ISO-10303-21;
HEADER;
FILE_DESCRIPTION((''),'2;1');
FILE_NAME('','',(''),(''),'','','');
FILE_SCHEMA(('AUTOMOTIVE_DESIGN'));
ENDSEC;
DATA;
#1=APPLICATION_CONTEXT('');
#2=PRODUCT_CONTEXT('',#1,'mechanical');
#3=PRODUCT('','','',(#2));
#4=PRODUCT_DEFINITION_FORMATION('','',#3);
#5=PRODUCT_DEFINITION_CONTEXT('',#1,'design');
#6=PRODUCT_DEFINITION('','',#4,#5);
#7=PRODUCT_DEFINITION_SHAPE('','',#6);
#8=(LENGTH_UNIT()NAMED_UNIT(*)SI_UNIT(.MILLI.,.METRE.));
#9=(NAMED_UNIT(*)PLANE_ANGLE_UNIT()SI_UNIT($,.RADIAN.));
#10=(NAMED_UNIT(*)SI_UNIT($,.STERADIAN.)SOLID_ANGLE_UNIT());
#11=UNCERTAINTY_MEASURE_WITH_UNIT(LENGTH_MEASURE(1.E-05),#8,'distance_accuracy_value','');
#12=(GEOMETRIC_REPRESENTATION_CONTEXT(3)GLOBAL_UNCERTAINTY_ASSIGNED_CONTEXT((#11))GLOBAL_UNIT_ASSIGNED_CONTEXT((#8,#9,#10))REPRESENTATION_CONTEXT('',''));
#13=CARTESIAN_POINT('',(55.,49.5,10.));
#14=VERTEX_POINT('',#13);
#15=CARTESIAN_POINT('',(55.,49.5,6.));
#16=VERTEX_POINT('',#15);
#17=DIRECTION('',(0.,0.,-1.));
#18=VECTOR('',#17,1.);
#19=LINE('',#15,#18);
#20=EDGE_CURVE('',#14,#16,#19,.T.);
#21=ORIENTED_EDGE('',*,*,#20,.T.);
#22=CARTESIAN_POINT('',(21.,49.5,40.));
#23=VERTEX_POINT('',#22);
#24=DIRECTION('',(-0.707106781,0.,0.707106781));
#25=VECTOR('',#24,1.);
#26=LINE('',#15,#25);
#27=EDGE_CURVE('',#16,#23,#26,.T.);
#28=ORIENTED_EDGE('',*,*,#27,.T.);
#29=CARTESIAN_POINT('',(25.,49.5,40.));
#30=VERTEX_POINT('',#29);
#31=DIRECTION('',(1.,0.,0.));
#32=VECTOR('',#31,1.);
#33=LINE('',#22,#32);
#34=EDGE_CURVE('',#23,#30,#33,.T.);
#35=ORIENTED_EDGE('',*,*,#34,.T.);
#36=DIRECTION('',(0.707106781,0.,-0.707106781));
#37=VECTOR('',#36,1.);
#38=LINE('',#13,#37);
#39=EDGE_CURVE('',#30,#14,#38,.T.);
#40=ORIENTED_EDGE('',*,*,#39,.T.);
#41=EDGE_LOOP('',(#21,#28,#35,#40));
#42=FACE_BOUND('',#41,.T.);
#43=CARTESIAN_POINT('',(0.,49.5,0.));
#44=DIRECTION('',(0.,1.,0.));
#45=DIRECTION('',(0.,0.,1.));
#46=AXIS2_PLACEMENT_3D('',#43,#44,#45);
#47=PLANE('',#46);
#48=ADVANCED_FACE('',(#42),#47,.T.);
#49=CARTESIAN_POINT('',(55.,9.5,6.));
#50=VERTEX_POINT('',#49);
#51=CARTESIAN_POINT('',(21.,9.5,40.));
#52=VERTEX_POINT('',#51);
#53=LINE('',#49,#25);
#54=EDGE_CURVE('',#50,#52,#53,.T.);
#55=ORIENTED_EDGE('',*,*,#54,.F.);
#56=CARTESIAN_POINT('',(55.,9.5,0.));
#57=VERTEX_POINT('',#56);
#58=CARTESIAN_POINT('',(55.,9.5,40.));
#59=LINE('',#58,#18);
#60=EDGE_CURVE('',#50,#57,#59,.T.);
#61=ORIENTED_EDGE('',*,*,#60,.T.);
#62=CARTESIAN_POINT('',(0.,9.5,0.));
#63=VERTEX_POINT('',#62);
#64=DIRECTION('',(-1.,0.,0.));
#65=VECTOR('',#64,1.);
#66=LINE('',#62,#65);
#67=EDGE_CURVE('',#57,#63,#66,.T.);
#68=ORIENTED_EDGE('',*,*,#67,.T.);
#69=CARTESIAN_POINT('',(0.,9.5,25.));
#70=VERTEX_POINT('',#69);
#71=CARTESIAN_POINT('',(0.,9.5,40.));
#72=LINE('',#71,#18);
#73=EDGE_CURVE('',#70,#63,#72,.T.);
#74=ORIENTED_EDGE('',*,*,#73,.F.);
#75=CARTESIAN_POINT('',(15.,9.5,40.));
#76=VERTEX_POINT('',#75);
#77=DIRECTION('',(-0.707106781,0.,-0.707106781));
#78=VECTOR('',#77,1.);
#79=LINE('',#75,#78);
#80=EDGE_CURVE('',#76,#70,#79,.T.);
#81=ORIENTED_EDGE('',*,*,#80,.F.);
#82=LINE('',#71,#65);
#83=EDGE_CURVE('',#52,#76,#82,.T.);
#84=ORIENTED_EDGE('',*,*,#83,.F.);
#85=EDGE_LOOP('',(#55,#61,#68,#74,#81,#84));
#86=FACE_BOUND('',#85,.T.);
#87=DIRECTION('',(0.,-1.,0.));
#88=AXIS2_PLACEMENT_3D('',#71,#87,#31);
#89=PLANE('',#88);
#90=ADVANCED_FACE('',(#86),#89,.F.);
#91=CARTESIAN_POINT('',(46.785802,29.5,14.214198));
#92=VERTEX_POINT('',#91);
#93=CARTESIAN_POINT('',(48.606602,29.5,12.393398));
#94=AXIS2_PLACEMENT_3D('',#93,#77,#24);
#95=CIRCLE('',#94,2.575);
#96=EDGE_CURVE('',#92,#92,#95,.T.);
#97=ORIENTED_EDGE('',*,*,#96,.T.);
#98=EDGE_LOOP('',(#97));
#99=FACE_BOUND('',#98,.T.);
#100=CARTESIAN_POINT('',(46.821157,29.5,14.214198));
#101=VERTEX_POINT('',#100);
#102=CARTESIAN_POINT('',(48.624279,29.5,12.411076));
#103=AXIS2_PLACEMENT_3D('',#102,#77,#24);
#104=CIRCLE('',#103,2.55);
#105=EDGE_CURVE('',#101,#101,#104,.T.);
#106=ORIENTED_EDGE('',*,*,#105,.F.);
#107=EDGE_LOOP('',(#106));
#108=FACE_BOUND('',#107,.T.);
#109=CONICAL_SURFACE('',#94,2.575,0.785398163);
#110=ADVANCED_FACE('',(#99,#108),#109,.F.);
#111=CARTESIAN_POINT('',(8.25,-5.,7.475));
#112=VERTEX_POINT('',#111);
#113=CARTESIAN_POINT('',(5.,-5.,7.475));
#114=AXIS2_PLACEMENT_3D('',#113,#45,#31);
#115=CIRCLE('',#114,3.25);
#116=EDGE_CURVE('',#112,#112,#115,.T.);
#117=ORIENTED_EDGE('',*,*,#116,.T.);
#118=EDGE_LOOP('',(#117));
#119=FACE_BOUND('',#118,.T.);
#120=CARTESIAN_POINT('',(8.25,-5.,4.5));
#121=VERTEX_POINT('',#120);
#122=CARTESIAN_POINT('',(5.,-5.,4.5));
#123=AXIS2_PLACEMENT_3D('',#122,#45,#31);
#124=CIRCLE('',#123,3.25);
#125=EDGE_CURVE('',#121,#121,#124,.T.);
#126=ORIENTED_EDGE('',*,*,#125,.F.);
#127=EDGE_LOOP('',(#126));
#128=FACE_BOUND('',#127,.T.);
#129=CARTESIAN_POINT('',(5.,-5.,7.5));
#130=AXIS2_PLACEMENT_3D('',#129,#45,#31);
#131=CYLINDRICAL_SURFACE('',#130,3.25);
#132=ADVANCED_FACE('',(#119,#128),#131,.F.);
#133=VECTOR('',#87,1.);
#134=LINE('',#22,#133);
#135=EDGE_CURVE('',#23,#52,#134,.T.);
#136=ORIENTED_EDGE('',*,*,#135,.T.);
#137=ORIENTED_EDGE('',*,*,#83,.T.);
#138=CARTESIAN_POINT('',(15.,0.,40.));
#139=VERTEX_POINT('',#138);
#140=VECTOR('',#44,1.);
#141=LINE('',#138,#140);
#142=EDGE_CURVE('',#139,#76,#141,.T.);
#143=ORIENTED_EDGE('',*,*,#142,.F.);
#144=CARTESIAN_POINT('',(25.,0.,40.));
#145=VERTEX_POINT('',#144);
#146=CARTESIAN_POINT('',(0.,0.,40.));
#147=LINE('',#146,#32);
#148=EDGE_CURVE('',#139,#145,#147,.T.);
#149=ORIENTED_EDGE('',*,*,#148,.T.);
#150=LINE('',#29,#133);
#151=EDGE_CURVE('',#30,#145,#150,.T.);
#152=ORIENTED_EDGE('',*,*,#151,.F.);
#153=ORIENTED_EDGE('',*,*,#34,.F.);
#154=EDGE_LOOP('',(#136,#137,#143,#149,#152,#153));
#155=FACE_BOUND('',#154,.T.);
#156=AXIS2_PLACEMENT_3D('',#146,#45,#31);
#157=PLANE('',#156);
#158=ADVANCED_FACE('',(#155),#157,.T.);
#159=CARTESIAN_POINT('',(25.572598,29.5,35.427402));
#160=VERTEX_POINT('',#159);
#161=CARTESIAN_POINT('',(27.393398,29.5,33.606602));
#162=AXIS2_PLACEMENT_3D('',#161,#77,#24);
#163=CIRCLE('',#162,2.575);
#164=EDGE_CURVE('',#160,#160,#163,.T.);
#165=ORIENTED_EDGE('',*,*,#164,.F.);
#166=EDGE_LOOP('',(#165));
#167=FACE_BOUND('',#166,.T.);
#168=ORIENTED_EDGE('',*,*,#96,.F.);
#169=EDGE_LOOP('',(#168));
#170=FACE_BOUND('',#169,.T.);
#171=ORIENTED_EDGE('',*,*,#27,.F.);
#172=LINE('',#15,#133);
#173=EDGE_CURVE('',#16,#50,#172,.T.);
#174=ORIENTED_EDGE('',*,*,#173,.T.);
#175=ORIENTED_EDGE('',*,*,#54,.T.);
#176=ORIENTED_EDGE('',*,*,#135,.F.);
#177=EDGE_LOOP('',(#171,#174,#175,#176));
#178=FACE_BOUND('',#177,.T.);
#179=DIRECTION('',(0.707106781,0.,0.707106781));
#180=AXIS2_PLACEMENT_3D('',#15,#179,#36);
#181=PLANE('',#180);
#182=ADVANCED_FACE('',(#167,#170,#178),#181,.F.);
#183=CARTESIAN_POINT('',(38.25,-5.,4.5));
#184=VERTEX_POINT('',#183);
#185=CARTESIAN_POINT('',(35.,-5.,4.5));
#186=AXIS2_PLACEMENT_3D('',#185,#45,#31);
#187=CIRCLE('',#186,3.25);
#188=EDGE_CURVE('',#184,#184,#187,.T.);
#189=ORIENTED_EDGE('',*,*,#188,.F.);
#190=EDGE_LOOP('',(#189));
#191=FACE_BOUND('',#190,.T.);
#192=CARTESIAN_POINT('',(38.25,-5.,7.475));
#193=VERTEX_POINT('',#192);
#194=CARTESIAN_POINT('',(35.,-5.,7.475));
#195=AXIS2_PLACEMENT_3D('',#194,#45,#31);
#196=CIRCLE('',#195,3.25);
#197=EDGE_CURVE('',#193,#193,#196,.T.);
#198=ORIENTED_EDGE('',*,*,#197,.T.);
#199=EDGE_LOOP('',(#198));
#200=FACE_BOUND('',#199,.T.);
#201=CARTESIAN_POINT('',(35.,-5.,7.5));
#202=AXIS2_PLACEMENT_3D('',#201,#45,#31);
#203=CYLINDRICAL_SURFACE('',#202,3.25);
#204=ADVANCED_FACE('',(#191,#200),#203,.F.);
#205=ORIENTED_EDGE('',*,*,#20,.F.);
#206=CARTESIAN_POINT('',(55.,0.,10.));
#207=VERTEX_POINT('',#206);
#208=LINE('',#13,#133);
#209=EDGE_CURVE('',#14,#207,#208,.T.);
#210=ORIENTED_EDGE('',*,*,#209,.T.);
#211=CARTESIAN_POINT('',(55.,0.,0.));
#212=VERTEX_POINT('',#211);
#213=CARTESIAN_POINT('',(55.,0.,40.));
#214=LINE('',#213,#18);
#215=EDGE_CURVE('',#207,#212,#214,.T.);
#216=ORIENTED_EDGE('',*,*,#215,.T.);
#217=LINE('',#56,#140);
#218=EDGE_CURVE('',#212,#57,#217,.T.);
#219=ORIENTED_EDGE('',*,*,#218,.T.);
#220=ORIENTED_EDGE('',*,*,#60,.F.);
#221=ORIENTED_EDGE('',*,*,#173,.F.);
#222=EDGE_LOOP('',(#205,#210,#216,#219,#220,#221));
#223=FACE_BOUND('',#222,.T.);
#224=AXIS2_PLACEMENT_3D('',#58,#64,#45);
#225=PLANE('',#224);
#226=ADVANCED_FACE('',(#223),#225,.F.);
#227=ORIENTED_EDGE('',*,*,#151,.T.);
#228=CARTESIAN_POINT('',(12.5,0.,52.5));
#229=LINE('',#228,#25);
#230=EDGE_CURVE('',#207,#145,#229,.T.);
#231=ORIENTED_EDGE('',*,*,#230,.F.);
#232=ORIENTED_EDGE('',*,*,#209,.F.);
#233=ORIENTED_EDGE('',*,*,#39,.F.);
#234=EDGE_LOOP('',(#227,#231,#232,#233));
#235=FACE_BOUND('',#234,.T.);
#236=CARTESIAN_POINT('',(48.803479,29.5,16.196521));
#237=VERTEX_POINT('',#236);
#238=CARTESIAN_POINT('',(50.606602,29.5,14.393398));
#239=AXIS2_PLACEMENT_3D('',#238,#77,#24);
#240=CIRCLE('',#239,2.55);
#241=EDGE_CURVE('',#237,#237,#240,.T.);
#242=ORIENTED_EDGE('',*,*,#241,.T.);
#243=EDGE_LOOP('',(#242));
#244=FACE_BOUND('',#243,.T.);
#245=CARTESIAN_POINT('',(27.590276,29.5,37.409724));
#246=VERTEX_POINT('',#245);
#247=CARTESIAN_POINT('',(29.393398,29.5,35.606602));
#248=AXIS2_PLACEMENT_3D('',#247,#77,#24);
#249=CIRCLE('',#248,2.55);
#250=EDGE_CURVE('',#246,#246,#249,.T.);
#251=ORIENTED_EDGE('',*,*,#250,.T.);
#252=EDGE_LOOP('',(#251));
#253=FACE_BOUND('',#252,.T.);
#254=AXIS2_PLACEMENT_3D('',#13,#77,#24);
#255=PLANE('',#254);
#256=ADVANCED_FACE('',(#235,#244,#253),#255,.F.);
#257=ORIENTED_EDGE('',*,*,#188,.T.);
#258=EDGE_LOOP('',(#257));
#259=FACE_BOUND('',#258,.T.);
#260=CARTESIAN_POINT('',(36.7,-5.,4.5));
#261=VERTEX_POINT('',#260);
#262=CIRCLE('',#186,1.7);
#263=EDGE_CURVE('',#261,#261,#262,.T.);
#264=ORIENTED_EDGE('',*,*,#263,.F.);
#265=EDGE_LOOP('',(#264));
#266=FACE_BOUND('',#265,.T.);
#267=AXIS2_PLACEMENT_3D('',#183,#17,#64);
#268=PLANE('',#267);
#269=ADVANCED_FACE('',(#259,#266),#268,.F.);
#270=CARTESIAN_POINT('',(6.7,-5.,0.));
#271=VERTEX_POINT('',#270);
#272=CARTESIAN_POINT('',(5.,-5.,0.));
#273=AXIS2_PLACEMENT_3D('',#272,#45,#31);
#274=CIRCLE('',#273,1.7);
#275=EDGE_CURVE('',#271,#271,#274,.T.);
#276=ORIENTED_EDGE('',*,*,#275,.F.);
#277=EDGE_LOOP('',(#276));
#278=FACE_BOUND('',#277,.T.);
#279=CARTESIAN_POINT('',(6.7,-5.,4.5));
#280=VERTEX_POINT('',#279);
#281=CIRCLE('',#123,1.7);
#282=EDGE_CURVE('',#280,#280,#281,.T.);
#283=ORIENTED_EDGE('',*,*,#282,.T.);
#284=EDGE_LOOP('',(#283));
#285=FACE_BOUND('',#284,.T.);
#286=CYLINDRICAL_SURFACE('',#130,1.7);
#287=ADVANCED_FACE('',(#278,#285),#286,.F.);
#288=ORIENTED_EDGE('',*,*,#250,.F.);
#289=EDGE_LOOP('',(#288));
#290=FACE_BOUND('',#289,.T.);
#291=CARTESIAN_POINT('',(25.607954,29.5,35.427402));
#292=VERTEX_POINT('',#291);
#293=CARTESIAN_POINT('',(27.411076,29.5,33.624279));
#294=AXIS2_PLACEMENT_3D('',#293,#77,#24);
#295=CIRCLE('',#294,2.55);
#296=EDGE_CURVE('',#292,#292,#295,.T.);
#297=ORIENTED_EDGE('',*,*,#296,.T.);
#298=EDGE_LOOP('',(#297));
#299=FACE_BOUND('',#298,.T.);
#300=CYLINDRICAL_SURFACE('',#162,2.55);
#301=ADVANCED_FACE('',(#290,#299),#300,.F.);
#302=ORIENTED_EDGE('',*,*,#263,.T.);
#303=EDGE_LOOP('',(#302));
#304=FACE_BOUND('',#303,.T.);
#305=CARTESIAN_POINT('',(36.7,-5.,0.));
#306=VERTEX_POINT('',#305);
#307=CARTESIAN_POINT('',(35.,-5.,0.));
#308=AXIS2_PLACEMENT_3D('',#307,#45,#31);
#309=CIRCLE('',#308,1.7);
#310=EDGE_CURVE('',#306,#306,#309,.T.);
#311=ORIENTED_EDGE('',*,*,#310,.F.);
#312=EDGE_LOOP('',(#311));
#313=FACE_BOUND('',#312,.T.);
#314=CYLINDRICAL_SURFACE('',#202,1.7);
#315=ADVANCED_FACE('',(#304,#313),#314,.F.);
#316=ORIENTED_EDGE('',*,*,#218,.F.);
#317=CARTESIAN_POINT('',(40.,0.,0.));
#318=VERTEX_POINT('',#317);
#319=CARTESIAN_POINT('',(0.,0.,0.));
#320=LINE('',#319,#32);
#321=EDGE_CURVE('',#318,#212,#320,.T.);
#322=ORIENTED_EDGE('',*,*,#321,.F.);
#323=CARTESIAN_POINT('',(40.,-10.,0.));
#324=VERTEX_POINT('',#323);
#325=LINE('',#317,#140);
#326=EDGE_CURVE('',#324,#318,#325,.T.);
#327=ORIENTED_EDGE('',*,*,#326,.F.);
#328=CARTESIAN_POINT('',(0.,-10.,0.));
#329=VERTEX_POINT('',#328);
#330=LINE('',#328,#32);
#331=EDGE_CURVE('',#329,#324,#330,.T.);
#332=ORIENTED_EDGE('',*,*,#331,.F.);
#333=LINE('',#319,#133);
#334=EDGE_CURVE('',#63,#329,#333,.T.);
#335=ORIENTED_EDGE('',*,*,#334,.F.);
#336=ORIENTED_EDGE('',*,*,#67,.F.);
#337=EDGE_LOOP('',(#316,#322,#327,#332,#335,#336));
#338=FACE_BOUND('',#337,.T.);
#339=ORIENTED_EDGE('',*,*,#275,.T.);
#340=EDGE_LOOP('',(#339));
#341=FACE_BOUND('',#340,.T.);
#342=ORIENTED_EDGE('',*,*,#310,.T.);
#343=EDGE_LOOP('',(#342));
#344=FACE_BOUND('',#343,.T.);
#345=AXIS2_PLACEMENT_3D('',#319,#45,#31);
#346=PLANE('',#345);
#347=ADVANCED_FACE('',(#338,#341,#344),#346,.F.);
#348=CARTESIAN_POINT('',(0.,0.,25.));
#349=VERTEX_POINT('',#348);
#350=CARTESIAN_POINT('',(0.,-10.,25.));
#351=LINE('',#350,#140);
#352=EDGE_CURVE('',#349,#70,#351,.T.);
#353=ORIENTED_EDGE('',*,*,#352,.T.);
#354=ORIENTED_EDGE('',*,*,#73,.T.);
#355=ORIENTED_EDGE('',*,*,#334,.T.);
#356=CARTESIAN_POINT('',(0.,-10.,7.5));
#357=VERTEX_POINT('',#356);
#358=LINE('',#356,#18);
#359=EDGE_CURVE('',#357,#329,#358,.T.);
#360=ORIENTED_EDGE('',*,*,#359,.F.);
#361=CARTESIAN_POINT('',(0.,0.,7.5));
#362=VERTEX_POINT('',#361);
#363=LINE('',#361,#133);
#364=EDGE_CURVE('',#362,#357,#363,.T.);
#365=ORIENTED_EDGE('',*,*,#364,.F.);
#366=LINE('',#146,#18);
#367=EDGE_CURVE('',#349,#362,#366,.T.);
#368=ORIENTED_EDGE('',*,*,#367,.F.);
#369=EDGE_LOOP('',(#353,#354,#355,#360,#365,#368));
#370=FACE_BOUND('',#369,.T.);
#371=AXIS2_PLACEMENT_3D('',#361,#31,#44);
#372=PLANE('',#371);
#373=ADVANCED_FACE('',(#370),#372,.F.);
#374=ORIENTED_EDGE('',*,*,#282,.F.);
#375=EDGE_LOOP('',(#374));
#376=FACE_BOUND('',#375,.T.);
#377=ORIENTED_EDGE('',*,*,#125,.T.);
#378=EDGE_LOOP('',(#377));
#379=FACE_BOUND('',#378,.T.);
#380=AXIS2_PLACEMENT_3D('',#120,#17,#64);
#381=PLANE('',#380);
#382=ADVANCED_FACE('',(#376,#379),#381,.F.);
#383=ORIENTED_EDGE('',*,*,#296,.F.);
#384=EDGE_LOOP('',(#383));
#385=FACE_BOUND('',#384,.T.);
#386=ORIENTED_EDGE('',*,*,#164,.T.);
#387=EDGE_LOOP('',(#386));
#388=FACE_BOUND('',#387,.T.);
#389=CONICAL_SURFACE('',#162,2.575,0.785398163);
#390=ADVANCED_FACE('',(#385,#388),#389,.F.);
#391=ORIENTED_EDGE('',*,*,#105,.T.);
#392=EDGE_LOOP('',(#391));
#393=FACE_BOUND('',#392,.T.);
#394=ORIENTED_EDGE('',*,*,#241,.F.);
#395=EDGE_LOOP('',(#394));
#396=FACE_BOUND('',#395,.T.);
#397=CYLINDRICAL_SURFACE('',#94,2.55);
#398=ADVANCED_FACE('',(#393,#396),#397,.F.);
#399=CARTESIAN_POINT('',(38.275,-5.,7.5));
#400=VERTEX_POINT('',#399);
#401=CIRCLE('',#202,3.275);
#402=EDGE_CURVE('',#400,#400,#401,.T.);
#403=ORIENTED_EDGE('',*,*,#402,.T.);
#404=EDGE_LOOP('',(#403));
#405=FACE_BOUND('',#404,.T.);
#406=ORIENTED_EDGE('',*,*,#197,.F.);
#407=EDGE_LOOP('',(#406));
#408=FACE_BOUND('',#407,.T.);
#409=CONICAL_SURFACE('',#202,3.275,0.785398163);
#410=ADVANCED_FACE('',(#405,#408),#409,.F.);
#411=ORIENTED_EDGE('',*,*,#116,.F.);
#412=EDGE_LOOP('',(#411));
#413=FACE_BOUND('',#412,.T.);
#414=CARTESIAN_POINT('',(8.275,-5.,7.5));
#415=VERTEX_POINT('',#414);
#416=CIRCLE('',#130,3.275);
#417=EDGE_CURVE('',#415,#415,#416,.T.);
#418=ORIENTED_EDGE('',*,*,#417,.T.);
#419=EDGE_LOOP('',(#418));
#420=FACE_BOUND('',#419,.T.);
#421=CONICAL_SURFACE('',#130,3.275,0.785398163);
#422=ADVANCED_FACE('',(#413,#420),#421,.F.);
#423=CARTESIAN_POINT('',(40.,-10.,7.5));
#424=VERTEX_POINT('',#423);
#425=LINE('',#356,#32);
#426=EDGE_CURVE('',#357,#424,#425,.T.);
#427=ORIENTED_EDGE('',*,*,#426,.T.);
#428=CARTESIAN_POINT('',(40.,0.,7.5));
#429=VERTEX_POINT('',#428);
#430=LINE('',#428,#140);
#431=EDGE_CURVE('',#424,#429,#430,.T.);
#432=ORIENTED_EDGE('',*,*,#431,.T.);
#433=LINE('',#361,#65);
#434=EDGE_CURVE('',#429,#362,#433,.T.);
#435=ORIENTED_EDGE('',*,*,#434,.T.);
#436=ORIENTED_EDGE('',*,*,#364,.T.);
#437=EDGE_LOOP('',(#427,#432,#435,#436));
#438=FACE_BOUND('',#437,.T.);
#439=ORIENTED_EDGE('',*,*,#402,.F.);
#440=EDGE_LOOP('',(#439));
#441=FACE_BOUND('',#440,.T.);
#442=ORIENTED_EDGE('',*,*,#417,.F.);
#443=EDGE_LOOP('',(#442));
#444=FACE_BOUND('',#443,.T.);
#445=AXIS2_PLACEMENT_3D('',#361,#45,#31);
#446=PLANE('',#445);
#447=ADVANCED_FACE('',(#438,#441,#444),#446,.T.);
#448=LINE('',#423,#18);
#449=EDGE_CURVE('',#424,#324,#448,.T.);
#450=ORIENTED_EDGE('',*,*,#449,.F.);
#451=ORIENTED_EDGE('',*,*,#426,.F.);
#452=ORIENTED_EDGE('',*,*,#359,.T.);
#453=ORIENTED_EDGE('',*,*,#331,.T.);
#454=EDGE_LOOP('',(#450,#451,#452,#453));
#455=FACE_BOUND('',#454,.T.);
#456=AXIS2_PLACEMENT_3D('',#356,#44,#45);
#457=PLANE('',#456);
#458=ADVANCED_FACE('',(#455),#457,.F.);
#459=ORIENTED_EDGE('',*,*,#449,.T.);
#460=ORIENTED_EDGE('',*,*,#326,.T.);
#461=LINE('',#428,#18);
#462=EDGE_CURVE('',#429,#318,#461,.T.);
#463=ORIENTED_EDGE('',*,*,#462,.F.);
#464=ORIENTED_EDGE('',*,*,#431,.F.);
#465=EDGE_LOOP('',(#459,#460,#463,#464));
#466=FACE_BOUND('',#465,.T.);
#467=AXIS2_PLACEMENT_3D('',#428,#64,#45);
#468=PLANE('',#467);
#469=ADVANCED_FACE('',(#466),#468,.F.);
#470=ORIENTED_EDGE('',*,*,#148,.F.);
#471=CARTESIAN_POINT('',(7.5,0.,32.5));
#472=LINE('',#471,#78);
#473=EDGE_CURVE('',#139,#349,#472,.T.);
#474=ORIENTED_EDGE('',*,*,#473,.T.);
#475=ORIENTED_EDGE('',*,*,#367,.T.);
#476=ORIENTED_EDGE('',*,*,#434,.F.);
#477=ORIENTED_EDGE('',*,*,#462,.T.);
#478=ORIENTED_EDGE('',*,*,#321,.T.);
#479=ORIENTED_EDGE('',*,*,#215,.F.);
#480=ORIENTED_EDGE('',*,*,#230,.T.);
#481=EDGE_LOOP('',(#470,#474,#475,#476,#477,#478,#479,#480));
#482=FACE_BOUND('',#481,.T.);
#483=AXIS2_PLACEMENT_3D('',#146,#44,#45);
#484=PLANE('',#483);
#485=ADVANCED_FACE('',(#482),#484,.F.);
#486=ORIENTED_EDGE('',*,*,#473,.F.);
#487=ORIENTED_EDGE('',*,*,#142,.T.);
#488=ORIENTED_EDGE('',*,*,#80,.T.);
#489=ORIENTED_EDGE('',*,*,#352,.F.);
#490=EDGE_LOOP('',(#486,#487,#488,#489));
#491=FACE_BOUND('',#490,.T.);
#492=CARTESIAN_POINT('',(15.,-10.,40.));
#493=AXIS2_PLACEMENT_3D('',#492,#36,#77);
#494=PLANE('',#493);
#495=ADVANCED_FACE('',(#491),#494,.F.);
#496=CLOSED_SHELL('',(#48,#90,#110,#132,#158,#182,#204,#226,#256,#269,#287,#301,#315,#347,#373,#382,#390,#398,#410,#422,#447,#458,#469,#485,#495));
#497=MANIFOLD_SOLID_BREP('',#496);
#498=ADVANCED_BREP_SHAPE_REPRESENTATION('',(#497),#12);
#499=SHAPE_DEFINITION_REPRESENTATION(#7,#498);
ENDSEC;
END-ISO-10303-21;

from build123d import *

# Parameters (mm, degrees)
SKETCH1_W                            = 40
SKETCH1_H                            = 10
BOSS_EXTRUDE1_DEPTH                  = 7.5
CBORE_FOR_M3_SHCS1_AT_2_COUNT        = 2
CBORE_FOR_M3_SHCS1_AT_2_PITCH        = 30
SKETCH4_W                            = 55
SKETCH4_H                            = 9.5
BOSS_EXTRUDE2_DEPTH                  = 40
BOSS_EXTRUDE3_DEPTH                  = 40
CUT_EXTRUDE1_DEPTH                   = 20.5
F_5_1_5_1_DIAMETER_HOLE1_D           = 5.1
F_5_1_5_1_DIAMETER_HOLE1_DEPTH       = 2.828427125
F_5_1_5_1_DIAMETER_HOLE1_CSINK_D     = 5.15
F_5_1_5_1_DIAMETER_HOLE1_CSINK_ANGLE = 90
CUT_EXTRUDE2_DEPTH                   = 20.5


with BuildPart() as part:
    # Sketch1 → Boss-Extrude1 (new body)
    with BuildSketch(Plane.XY):
        with Locations((20, -5)):
            Rectangle(SKETCH1_W, SKETCH1_H)
    extrude(amount=BOSS_EXTRUDE1_DEPTH)

    # Sketch3 → CBORE for M3 SHCS1 (revolve, cut)
    with BuildSketch(Plane(origin=(35, -5, 7.5), x_dir=(0, -1, 0), z_dir=(1, 0, 0))):
        Polygon((0, 0), (0, 7.5), (1.7, 7.5), (1.7, 3), (3.25, 3), (3.25, 0.025), (3.275, 0), align=None)
    cbore_for_m3_shcs1 = revolve(axis=Axis((35, -5, 13.85), (0, 0, -1)), mode=Mode.SUBTRACT)

    # CBORE for M3 SHCS1 at 2: CBORE for M3 SHCS1 ×2
    with Locations(*[(-i * CBORE_FOR_M3_SHCS1_AT_2_PITCH, 0, 0) for i in range(1, CBORE_FOR_M3_SHCS1_AT_2_COUNT)]):
        add(cbore_for_m3_shcs1, mode=Mode.SUBTRACT)

    # Sketch4 → Boss-Extrude2 (add)
    with BuildSketch(Plane.XY):
        with Locations((27.5, 4.75)):
            Rectangle(SKETCH4_W, SKETCH4_H)
    extrude(amount=BOSS_EXTRUDE2_DEPTH)

    # Sketch5 → Boss-Extrude3 (add)
    with BuildSketch(Plane(origin=(0, 9.5, 0), x_dir=(1, 0, 0), z_dir=(0, 1, 0))):
        Polygon((55, -10), (25, -40), (21, -40), (55, -6), align=None)
    extrude(amount=BOSS_EXTRUDE3_DEPTH)

    # Sketch7 → Cut-Extrude1 (cut, through all)
    with BuildSketch(Plane(origin=(0, 9.5, 0), x_dir=(1, 0, 0), z_dir=(0, 1, 0))):
        Polygon((55, -10), (25, -40), (55, -40), align=None)
    extrude(amount=-CUT_EXTRUDE1_DEPTH, mode=Mode.SUBTRACT)

    # Ø5.1 (5.1) Diameter Hole1
    with Locations(Plane(origin=(30.5, 0, 30.5), x_dir=(-0.707106781, 0, 0.707106781), z_dir=(-0.707106781, 0, -0.707106781))):
        with Locations((4.393398282, 29.5), (-25.606601718, 29.5)):
            CounterSinkHole(F_5_1_5_1_DIAMETER_HOLE1_D / 2, F_5_1_5_1_DIAMETER_HOLE1_CSINK_D / 2, depth=F_5_1_5_1_DIAMETER_HOLE1_DEPTH, counter_sink_angle=F_5_1_5_1_DIAMETER_HOLE1_CSINK_ANGLE)

    # Sketch11 → Cut-Extrude2 (cut, through all)
    with BuildSketch(Plane(origin=(0, 9.5, 0), x_dir=(1, 0, 0), z_dir=(0, 1, 0))):
        Polygon((0, -25), (0, -40), (15, -40), align=None)
    extrude(amount=-CUT_EXTRUDE2_DEPTH, mode=Mode.SUBTRACT)


solid = part.part
